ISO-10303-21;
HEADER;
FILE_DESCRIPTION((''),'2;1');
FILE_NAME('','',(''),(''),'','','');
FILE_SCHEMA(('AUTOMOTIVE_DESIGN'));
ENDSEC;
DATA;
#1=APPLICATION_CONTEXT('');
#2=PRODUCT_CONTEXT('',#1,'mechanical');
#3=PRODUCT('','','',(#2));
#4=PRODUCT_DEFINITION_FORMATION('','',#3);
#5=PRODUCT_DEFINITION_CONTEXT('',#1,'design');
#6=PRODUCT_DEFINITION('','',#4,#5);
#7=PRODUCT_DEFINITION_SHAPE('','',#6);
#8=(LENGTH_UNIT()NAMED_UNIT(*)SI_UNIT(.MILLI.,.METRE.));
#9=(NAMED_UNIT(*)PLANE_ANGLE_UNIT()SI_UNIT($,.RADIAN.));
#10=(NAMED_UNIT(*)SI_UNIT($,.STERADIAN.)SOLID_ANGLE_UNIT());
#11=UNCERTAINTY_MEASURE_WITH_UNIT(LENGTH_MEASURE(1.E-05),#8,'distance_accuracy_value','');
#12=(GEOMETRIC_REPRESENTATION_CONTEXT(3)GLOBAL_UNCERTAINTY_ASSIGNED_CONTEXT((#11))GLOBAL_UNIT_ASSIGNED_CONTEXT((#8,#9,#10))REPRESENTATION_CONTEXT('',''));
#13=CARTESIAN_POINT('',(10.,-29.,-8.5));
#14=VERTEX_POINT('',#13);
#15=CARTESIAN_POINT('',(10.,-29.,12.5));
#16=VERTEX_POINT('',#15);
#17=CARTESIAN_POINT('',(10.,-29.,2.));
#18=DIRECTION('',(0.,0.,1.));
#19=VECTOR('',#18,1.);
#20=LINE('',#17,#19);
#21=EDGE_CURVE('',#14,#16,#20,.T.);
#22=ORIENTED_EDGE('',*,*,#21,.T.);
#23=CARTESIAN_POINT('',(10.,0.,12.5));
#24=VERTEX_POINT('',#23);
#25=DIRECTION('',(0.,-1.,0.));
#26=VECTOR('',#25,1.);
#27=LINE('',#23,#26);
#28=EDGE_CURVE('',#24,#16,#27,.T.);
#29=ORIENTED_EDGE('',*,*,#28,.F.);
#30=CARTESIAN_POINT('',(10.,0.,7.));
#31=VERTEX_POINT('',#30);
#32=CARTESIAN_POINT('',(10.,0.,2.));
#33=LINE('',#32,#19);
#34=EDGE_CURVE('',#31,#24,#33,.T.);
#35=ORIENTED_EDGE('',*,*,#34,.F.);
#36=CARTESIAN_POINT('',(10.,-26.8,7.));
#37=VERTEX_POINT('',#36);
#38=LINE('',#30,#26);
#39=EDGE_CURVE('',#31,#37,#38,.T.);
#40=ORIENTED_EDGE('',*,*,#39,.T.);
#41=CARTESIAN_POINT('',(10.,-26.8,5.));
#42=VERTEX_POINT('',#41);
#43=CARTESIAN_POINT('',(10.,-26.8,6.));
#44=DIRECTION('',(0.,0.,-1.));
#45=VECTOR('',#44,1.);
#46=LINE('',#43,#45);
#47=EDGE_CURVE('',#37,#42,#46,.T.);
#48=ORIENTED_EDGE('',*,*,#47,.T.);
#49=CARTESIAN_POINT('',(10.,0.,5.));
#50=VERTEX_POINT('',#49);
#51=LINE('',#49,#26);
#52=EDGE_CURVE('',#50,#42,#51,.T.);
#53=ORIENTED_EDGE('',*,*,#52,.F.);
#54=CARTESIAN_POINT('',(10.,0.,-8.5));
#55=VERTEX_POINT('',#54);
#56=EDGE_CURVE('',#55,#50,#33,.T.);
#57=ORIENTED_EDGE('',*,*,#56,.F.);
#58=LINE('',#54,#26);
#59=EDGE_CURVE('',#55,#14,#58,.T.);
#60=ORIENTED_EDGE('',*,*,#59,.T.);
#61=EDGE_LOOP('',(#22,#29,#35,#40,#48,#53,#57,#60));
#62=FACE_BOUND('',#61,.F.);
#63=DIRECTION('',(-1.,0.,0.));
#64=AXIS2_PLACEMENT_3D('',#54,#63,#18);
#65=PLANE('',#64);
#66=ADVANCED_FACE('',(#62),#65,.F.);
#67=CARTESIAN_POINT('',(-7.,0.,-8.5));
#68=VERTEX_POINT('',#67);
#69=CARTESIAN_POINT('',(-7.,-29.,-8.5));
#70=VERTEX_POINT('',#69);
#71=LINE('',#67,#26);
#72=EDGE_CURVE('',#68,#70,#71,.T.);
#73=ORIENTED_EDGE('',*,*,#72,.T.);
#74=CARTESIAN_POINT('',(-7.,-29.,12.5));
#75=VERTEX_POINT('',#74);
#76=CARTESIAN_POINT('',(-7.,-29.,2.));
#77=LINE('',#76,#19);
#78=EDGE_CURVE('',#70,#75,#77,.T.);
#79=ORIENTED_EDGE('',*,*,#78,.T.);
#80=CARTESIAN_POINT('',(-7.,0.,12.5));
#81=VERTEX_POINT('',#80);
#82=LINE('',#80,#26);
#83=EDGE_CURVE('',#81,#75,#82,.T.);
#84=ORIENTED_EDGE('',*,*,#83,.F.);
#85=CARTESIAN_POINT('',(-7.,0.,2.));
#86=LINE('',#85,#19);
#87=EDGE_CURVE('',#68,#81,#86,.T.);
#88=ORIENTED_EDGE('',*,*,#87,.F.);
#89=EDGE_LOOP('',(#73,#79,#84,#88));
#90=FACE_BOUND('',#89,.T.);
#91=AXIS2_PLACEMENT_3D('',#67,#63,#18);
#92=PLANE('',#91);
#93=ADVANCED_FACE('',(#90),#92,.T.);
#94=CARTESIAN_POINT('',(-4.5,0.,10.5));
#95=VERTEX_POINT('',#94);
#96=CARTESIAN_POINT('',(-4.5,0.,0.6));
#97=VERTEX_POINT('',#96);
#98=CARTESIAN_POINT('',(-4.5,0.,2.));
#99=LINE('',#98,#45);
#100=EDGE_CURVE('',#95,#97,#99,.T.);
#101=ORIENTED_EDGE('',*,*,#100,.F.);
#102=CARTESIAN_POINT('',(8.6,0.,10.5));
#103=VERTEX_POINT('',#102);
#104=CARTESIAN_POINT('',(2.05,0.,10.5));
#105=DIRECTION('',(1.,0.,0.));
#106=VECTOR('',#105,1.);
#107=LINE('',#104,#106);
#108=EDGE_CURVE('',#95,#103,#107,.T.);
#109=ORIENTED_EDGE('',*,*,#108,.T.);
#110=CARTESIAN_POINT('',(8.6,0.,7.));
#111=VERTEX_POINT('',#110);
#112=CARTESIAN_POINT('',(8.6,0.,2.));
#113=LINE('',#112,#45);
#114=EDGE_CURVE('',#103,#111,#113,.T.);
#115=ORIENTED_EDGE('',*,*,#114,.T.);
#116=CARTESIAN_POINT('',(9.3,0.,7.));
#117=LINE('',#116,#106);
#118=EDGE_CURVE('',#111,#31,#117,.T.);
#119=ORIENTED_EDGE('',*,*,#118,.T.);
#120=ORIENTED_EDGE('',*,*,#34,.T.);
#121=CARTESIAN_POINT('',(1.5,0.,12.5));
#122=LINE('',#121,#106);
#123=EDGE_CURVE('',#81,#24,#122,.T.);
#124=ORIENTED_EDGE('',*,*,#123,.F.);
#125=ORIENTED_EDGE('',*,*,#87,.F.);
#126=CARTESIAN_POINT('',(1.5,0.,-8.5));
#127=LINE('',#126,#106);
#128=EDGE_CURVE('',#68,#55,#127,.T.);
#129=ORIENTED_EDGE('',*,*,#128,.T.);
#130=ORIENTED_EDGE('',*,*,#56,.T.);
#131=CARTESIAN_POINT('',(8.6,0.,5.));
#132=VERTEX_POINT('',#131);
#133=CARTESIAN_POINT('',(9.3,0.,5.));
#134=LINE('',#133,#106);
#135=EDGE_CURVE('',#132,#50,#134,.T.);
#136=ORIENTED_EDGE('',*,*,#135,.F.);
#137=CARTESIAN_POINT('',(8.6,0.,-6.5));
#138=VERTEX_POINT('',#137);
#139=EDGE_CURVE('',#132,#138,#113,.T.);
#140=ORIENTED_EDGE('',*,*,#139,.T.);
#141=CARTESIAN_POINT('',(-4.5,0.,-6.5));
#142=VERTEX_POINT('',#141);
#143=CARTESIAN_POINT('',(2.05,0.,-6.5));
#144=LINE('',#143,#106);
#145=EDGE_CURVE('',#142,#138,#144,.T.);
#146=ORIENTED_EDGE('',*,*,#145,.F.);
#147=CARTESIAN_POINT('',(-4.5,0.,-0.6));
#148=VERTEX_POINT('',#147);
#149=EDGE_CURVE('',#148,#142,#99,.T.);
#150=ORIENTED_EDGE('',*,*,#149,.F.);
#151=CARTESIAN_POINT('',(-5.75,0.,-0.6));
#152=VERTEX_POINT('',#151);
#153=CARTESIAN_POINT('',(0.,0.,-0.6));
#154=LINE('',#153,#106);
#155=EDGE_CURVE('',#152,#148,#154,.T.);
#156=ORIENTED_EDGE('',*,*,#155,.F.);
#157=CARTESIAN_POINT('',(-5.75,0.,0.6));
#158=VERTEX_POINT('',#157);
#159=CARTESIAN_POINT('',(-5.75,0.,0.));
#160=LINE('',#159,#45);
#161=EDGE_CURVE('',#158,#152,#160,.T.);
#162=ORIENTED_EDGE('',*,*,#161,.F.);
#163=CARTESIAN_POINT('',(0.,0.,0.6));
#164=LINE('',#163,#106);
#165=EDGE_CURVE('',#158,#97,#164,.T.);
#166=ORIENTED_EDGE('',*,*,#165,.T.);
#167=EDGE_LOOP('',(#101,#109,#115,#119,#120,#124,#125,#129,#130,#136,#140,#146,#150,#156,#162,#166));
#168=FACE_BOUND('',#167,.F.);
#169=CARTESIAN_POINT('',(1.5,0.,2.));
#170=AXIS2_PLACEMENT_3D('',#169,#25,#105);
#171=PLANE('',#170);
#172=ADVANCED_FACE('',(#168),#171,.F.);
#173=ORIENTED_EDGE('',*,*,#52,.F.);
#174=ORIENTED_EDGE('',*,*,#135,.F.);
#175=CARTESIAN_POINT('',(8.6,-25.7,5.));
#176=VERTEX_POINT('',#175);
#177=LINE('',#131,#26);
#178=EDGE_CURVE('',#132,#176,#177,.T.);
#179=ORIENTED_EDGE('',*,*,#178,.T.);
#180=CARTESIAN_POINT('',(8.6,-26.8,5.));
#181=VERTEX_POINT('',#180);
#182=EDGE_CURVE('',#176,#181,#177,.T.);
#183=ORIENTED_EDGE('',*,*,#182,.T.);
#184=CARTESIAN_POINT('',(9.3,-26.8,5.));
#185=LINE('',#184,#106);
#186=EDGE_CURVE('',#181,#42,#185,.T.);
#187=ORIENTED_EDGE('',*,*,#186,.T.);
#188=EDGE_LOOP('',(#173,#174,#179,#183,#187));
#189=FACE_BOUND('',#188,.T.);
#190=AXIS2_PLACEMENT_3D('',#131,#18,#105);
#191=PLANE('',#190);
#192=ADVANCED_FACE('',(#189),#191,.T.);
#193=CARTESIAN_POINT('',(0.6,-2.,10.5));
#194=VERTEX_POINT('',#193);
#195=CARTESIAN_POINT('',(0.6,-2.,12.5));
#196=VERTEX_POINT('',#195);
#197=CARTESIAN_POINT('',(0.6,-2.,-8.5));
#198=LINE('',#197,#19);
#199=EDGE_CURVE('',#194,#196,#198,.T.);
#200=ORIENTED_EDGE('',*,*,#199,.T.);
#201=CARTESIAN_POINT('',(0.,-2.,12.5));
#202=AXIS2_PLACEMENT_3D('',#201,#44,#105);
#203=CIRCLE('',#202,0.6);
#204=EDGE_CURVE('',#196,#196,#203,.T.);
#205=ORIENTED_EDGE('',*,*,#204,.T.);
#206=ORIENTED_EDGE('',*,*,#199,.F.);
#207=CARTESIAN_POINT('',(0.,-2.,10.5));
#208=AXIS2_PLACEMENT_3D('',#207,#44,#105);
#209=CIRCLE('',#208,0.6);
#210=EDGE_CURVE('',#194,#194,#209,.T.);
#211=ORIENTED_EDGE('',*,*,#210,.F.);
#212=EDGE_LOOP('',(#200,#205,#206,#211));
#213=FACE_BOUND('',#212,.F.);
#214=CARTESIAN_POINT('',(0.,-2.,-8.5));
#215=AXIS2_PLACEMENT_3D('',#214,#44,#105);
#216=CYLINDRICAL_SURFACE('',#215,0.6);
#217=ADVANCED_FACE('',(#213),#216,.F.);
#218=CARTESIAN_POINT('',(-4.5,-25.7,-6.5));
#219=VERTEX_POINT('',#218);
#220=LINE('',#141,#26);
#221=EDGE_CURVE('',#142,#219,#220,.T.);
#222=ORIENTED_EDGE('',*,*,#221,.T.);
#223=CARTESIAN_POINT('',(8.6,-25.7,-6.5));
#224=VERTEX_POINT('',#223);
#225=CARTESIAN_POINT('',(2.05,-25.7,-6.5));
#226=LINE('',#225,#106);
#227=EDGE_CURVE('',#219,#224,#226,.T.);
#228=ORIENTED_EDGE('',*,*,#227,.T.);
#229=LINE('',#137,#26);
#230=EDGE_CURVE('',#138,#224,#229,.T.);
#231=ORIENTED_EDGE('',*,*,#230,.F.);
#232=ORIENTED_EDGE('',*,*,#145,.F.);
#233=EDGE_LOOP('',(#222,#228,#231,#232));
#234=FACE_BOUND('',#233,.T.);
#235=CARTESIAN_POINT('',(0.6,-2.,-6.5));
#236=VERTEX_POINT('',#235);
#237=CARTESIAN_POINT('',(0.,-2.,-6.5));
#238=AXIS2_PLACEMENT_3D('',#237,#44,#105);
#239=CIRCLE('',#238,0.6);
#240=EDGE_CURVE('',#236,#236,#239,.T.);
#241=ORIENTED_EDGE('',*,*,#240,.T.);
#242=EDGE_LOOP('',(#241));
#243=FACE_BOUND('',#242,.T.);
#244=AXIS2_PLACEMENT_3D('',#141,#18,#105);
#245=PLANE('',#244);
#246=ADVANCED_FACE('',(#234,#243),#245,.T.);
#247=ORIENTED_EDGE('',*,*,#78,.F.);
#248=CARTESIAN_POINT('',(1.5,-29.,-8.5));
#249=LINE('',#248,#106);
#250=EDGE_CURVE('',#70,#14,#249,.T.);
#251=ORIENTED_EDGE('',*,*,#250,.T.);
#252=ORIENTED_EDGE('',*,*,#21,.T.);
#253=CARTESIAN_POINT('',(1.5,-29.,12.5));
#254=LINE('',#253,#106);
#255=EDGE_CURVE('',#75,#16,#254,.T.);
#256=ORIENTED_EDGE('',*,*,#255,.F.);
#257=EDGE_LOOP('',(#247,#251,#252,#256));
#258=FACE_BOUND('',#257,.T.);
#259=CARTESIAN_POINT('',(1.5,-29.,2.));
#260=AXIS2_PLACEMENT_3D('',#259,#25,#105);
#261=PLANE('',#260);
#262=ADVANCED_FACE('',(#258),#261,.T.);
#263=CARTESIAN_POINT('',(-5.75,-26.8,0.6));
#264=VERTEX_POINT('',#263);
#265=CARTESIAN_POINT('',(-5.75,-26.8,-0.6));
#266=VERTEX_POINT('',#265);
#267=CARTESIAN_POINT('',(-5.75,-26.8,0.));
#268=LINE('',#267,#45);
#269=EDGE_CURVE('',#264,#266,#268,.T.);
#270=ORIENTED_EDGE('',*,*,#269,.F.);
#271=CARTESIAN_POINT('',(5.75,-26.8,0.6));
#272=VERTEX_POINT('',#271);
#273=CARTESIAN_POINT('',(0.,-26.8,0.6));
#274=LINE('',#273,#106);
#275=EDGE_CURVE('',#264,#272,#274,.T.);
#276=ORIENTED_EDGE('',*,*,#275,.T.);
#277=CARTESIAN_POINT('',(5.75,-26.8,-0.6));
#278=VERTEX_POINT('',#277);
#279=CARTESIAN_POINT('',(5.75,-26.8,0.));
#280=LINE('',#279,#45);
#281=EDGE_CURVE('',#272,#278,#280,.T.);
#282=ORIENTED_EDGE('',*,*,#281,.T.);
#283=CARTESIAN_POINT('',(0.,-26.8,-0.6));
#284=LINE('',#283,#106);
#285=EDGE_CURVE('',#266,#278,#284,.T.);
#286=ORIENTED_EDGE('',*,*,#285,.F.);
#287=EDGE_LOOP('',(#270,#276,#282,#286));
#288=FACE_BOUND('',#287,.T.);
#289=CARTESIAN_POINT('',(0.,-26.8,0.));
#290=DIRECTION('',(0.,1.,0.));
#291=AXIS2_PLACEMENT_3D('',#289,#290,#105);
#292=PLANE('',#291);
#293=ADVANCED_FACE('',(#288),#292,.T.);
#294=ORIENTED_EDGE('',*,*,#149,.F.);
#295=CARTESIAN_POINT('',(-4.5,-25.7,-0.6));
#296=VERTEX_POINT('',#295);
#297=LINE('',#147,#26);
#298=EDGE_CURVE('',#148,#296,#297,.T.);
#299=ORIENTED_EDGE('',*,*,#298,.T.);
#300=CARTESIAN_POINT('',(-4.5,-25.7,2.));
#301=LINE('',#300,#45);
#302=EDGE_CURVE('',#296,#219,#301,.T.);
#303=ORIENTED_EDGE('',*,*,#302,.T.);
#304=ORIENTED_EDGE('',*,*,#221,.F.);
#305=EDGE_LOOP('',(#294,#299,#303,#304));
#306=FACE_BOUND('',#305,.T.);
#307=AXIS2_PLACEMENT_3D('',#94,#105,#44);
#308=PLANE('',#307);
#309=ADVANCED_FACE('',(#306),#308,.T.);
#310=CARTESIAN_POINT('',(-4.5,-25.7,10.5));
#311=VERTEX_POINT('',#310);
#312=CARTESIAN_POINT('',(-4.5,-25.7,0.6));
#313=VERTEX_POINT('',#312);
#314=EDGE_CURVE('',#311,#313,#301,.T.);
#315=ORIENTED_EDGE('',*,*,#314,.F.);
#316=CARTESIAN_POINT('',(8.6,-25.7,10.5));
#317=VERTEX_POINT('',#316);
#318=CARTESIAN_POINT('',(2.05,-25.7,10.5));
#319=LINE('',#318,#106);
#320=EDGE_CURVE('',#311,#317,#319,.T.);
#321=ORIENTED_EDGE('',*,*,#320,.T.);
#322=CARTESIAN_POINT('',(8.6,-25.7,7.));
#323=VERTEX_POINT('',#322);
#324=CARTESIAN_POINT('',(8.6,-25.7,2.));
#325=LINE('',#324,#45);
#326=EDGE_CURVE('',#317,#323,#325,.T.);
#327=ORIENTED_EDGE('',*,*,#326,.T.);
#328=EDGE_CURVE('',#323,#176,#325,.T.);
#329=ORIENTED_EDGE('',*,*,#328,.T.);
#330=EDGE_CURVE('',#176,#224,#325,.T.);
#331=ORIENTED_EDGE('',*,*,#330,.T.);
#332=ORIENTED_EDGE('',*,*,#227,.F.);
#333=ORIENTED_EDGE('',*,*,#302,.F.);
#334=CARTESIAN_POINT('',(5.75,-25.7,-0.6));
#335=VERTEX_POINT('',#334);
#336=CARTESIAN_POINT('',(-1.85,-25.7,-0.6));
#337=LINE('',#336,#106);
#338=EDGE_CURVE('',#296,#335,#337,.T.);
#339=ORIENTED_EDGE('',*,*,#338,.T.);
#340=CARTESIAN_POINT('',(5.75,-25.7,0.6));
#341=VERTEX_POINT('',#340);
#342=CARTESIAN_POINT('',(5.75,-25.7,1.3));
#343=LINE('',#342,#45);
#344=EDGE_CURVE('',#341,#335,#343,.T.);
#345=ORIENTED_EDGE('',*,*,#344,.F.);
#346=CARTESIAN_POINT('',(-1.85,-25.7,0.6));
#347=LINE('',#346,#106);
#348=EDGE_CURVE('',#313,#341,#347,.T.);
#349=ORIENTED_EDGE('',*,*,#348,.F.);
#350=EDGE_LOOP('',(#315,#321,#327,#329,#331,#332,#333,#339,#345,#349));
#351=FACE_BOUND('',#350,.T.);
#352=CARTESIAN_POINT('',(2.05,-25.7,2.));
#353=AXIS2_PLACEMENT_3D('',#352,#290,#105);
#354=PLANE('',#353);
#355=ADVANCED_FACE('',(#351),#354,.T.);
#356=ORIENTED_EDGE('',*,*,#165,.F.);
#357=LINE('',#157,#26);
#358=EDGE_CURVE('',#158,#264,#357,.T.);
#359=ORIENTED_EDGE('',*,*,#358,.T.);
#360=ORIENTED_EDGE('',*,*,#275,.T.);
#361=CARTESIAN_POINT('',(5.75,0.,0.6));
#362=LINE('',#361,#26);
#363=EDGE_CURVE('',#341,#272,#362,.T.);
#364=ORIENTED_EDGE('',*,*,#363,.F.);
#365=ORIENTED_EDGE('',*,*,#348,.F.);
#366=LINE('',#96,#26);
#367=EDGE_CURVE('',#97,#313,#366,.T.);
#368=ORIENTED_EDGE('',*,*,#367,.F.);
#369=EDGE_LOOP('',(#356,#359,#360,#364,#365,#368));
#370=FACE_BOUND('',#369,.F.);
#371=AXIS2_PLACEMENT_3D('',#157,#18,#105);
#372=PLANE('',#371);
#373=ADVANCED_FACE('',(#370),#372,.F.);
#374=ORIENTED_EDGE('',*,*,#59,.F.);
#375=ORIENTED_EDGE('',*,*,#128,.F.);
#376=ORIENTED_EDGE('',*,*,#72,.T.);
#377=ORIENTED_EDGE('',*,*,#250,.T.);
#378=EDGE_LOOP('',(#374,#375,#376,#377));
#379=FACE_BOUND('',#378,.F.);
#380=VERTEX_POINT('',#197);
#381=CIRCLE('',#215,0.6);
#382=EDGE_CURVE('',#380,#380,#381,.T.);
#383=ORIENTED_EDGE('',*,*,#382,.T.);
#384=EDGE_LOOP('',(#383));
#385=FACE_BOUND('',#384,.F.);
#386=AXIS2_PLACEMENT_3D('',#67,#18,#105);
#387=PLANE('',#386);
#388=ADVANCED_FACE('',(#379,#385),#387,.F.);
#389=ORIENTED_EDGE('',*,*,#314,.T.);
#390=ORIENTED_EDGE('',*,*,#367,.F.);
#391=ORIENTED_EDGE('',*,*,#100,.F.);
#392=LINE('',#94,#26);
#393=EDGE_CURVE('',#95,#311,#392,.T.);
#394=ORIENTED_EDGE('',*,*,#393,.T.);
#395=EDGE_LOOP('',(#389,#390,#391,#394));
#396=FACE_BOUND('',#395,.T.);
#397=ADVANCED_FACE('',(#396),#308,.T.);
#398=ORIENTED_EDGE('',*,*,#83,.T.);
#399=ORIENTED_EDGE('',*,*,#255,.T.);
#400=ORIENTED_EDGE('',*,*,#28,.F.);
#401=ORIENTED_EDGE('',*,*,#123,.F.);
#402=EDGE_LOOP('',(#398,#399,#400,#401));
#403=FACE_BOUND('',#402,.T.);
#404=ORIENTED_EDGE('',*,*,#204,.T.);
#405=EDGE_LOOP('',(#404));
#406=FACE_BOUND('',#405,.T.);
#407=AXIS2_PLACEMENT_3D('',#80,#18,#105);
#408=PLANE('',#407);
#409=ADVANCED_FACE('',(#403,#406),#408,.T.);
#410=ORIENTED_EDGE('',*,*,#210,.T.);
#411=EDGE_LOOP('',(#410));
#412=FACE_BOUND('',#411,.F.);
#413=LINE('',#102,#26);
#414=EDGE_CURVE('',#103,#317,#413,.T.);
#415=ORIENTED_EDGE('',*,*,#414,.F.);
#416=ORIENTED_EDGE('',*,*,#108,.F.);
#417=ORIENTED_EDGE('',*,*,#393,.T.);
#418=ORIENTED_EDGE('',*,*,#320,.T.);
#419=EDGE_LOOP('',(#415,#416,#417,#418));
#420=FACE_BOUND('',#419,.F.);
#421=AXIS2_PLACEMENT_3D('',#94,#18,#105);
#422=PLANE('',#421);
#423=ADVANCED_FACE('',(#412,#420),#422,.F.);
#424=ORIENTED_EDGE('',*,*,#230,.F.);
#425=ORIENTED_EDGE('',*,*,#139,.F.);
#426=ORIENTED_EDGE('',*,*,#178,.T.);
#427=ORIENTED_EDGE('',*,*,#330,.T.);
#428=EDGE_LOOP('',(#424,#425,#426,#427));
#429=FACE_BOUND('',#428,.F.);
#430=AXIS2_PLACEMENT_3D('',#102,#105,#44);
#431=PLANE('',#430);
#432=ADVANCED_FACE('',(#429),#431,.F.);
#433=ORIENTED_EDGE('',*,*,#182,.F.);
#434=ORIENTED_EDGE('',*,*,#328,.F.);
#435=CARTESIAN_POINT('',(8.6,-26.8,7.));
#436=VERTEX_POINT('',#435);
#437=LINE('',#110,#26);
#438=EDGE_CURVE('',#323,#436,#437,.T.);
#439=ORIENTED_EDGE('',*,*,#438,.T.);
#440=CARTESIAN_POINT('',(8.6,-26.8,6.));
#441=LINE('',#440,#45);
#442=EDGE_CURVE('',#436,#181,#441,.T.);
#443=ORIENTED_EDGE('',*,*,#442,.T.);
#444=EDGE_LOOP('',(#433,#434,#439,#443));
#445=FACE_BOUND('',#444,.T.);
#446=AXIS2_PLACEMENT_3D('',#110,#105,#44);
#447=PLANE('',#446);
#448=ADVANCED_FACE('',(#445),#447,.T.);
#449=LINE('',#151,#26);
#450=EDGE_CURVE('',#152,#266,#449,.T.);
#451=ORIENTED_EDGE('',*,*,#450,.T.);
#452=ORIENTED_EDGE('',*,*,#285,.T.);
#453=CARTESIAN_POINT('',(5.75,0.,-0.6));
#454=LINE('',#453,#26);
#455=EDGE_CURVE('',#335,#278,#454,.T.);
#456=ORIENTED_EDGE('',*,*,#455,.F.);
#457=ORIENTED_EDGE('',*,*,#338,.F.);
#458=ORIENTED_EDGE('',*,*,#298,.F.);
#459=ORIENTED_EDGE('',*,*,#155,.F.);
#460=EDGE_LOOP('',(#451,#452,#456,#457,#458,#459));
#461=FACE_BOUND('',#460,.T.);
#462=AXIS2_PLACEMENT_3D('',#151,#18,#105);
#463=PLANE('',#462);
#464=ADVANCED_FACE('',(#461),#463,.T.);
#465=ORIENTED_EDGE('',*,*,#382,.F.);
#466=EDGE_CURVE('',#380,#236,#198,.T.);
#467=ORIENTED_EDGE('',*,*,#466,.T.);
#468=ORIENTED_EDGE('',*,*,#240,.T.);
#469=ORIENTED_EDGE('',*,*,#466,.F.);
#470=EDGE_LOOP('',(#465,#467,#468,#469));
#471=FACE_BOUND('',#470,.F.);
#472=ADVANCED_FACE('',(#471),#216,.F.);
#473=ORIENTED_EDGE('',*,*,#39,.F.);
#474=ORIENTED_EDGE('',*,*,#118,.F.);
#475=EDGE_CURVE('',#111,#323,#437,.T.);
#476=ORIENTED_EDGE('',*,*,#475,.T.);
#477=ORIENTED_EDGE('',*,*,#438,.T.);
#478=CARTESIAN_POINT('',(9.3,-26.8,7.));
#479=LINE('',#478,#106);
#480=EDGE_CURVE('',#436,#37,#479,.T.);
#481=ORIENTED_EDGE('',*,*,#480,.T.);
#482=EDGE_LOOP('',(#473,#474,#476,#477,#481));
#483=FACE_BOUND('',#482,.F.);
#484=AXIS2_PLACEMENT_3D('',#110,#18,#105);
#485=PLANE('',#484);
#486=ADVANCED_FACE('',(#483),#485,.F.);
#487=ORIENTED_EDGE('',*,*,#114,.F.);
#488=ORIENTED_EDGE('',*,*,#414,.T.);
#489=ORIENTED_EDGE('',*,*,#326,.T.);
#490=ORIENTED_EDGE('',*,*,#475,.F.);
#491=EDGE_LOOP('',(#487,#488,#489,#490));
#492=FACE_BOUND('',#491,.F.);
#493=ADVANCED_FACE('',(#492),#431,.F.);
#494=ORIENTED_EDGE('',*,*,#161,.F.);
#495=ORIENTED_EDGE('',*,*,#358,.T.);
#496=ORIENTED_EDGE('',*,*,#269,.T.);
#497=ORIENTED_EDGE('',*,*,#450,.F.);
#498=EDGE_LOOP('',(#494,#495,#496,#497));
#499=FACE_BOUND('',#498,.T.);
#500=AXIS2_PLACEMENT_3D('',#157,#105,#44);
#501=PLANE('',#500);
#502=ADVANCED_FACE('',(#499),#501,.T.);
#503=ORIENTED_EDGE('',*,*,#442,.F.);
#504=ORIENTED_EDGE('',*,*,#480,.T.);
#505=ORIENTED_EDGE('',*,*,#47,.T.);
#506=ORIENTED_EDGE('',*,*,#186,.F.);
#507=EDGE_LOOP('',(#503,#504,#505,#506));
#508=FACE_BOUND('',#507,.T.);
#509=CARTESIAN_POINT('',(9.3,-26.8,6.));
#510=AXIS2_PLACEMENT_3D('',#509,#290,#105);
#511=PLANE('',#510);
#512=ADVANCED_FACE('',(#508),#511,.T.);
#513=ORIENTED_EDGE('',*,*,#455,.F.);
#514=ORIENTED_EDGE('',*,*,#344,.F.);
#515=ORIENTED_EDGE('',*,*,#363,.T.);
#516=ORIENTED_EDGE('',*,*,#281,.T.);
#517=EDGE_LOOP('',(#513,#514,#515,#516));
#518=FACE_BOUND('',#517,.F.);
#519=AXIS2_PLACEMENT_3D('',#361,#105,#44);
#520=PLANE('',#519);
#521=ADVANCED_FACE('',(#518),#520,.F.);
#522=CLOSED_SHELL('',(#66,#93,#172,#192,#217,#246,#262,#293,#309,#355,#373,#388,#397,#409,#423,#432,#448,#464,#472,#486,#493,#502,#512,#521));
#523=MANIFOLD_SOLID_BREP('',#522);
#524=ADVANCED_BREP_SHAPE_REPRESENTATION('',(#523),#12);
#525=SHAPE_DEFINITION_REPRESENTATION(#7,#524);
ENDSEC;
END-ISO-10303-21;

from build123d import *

# Parameters (mm, degrees)
SKETCH285_W     = 17
SKETCH285_H     = 21
PAD190_DEPTH    = 29
SKETCH281_W     = 13.1
SKETCH281_H     = 17
POCKET037_DEPTH = 25.7
SKETCH268_W     = 11.5
SKETCH268_H     = 1.2
SKETCH268_W_2   = 1.4
SKETCH268_H_2   = 2
POCKET039_DEPTH = 26.8
SKETCH271_R     = 0.6
POCKET041_DEPTH = 50
SKETCH278_W     = 0.6
SKETCH278_H     = 3
POCKET038_DEPTH = 2.5


with BuildPart() as part:
    # Sketch285 → Pad190 (new body)
    with BuildSketch(Plane.XZ):
        with Locations((1.5, 2)):
            Rectangle(SKETCH285_W, SKETCH285_H)
    extrude(amount=PAD190_DEPTH)

    # Sketch281 (on Face5 of Pad190) → Pocket037 (cut)
    with BuildSketch(Plane(origin=(0, 0, 0), x_dir=(1, 0, 0), z_dir=(0, 1, 0))):
        with Locations((2.05, -2)):
            Rectangle(SKETCH281_W, SKETCH281_H)
    extrude(amount=-POCKET037_DEPTH, mode=Mode.SUBTRACT)

    # Sketch268 (on Face4 of Pocket037) → Pocket039 (cut)
    with BuildSketch(Plane(origin=(0, 0, 0), x_dir=(1, 0, 0), z_dir=(0, 1, 0))):
        Rectangle(SKETCH268_W, SKETCH268_H)
        with Locations((9.3, -6)):
            Rectangle(SKETCH268_W_2, SKETCH268_H_2)
    extrude(amount=-POCKET039_DEPTH, mode=Mode.SUBTRACT)

    # Sketch271 (on Face6 of Pocket039) → Pocket041 (cut)
    with BuildSketch(Plane(origin=(0, 0, -8.5), x_dir=(1, 0, 0), z_dir=(0, 0, -1))):
        with Locations((0, 2)):
            Circle(SKETCH271_R)
    extrude(amount=-POCKET041_DEPTH, mode=Mode.SUBTRACT)

    # Sketch278 (on Face21 of Pocket041) → Pocket038 (cut)
    with BuildSketch(Plane(origin=(8.6, 0, 0), x_dir=(0, 0, 1), z_dir=(1, 0, 0))):
        with Locations((0, -9)):
            Rectangle(SKETCH278_W, SKETCH278_H)
    extrude(amount=-POCKET038_DEPTH, mode=Mode.SUBTRACT)


solid = part.part
